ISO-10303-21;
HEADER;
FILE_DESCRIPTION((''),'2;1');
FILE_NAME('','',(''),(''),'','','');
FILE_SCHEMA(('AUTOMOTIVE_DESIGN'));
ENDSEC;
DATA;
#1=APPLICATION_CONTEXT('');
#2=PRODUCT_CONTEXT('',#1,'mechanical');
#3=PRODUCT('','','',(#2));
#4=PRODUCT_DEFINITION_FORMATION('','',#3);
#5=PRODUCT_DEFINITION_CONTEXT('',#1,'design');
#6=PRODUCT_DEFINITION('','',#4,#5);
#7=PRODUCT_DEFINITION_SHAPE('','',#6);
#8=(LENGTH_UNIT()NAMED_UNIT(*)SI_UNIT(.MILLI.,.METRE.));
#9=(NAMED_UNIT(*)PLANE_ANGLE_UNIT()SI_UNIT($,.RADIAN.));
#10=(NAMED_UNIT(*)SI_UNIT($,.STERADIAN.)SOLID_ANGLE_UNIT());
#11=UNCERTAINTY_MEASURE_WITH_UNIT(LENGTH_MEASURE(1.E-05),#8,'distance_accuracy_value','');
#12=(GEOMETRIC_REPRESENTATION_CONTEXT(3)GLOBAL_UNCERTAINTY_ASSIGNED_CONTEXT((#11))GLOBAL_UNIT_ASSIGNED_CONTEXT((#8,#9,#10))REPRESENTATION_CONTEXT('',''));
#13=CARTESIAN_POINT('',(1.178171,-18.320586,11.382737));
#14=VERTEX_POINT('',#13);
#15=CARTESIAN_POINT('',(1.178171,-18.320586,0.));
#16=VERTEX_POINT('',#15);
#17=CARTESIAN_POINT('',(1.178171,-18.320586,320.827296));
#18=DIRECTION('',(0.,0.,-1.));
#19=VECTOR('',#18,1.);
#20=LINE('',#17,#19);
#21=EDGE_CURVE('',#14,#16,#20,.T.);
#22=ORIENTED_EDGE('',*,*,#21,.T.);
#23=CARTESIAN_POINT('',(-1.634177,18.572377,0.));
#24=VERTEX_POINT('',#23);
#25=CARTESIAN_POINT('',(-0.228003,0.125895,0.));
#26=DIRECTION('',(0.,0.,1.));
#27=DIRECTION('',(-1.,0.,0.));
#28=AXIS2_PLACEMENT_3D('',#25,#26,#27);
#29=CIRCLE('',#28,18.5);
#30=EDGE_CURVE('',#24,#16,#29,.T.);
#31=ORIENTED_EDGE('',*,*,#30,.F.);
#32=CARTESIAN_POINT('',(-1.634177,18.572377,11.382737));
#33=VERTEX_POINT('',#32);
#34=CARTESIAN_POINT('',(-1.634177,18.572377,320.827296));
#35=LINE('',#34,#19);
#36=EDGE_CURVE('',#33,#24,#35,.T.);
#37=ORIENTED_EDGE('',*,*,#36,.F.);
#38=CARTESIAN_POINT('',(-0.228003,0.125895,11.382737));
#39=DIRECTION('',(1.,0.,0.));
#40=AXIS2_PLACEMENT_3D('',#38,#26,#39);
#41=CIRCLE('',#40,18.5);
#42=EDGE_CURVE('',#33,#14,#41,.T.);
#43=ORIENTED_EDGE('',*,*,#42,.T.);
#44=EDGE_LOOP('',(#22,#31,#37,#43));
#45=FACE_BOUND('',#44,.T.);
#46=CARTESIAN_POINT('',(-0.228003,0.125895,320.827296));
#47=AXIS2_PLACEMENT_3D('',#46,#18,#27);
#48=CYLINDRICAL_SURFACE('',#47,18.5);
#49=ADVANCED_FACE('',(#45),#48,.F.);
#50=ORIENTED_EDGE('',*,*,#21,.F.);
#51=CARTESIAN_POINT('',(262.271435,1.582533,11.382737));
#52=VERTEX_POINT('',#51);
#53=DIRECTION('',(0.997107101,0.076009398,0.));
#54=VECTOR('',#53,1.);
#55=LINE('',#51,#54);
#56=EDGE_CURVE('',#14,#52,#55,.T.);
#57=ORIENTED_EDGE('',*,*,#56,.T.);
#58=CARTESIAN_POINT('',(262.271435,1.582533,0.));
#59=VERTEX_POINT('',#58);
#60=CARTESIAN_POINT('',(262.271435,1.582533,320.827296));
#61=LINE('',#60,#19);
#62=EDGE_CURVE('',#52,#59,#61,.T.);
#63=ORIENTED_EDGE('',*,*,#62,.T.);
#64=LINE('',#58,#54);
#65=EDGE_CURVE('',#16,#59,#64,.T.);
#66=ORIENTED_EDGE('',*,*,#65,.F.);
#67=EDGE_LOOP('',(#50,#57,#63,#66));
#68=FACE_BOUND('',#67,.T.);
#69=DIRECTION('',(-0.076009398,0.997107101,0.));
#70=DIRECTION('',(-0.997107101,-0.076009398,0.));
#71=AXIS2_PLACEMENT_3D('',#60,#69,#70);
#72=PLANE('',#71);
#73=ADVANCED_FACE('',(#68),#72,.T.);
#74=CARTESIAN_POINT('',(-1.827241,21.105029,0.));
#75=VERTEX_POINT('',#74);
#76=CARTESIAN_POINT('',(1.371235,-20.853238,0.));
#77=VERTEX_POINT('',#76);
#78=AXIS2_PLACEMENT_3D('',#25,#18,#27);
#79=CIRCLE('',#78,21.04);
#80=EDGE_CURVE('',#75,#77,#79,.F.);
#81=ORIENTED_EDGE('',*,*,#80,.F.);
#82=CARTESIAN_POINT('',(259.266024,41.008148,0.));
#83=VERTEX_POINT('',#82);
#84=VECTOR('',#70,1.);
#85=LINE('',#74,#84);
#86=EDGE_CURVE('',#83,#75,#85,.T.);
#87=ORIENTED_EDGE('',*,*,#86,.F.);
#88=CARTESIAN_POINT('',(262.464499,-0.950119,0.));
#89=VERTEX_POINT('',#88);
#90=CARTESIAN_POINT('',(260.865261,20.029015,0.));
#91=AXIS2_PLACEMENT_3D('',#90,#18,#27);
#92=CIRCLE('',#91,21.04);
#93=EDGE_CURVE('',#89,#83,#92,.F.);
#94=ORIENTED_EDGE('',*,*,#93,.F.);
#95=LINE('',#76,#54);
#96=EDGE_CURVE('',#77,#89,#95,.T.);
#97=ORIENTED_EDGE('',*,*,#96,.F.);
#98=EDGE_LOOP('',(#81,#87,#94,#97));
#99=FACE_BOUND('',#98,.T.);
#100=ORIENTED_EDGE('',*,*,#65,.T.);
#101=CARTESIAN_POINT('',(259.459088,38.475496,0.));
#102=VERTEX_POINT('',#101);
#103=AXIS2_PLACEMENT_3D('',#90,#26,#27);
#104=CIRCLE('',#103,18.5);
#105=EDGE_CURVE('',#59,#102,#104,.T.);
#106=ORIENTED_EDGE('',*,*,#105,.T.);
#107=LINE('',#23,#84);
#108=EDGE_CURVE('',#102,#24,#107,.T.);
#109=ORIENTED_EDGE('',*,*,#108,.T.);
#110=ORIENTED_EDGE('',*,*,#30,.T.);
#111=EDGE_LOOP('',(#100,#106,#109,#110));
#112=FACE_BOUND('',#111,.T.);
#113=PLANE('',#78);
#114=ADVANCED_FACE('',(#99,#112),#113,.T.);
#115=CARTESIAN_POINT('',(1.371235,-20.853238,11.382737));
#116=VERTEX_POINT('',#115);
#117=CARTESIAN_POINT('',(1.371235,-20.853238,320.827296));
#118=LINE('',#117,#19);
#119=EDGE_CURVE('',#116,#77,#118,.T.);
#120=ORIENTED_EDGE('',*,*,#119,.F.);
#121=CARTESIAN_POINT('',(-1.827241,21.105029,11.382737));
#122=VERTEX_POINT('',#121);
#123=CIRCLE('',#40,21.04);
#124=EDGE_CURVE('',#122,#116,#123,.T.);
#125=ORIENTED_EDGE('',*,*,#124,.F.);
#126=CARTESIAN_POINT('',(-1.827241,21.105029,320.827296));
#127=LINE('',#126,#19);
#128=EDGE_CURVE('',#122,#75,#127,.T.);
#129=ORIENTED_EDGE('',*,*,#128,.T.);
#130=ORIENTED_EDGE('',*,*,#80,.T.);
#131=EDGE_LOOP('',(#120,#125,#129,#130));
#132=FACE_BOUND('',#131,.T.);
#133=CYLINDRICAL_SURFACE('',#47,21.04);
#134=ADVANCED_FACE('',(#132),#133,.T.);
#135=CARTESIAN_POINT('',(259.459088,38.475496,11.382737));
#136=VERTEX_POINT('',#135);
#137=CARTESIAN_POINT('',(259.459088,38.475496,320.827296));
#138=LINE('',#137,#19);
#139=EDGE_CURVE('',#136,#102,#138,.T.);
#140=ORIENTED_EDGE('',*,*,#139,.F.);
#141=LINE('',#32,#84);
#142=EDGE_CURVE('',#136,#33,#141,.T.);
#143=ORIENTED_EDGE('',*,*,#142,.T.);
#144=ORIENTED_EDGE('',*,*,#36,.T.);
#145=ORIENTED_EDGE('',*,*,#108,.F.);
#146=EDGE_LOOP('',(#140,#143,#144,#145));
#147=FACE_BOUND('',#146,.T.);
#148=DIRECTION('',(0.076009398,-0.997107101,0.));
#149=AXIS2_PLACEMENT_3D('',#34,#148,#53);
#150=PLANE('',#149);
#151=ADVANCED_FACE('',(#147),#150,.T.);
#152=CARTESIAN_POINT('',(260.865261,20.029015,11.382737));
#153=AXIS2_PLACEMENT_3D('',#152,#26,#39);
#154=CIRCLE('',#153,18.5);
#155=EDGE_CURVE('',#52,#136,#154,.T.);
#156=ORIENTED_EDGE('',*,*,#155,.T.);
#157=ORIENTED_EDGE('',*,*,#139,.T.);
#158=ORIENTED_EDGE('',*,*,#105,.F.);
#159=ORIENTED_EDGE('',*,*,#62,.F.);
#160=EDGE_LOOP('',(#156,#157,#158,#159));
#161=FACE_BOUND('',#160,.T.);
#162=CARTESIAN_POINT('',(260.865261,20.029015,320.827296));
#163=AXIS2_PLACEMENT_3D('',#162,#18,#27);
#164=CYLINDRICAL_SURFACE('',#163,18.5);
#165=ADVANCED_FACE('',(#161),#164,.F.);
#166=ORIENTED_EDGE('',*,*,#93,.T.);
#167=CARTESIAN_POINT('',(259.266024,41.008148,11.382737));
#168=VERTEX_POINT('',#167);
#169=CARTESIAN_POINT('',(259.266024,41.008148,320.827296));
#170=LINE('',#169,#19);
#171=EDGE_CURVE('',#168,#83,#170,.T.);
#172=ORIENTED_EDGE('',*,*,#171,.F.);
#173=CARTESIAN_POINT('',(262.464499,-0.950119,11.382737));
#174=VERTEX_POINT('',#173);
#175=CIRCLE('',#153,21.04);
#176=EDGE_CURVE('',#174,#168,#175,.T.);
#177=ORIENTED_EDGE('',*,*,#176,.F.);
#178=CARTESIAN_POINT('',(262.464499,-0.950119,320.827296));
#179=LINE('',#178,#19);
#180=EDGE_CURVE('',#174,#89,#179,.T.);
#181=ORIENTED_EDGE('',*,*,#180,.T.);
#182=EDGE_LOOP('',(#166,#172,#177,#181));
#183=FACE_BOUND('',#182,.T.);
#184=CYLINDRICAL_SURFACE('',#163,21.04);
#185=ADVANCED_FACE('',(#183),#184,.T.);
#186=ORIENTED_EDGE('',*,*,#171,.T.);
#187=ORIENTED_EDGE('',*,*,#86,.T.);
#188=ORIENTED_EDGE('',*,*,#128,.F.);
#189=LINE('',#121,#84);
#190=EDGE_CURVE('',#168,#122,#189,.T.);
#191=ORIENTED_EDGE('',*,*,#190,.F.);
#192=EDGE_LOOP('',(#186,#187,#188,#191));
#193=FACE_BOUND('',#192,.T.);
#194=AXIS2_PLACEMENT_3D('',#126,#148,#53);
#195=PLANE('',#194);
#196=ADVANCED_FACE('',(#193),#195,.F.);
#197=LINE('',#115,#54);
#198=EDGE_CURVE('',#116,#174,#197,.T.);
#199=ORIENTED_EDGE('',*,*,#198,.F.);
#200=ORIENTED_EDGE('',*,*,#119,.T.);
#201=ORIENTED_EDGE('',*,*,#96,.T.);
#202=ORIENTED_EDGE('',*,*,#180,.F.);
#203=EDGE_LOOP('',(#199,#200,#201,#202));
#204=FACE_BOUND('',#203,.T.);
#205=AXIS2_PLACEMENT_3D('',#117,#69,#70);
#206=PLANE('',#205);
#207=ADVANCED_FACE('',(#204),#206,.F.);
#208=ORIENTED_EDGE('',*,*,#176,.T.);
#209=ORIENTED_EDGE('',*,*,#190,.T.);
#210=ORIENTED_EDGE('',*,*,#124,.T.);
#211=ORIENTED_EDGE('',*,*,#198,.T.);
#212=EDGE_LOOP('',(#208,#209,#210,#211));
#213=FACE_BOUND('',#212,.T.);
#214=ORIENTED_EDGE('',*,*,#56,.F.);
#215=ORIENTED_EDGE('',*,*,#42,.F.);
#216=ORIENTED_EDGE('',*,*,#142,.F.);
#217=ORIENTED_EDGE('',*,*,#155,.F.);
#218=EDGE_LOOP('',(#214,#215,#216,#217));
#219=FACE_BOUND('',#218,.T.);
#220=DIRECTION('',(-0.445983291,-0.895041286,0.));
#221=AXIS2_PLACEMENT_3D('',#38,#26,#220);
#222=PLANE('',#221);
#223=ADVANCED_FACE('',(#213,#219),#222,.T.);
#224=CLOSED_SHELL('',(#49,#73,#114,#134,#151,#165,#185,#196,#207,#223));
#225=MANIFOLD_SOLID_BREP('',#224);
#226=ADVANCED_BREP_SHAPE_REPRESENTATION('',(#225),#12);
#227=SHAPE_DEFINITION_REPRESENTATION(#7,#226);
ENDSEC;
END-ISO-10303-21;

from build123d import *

# Parameters (mm, degrees)
EXTRUDE_THIN2_DEPTH = 11.382736928


with BuildPart() as part:
    # Sketch2 → Extrude-Thin2 (new body)
    with BuildSketch(Plane.XY):
        with BuildLine():
            Line((262.464499147, -0.950118607), (1.371234696, -20.853238053))
            ThreePointArc((1.371234696, -20.853238053), (-21.20713644, -1.473342366), (-1.827240753, 21.105028771))
            Line((-1.827240753, 21.105028771), (259.266023698, 41.008148216))
            ThreePointArc((259.266023698, 41.008148216), (281.844394834, 21.628252529), (262.464499147, -0.950118607))
        make_face()
        with BuildLine():
            Line((262.271435277, 1.58253343), (1.178170826, -18.320586015))
            ThreePointArc((1.178170826, -18.320586015), (-18.674484403, -1.280278496), (-1.634176883, 18.572376733))
            Line((-1.634176883, 18.572376733), (259.459087568, 38.475496178))
            ThreePointArc((259.459087568, 38.475496178), (279.311742797, 21.435188659), (262.271435277, 1.58253343))
        make_face(mode=Mode.SUBTRACT)
    extrude(amount=EXTRUDE_THIN2_DEPTH)


solid = part.part
